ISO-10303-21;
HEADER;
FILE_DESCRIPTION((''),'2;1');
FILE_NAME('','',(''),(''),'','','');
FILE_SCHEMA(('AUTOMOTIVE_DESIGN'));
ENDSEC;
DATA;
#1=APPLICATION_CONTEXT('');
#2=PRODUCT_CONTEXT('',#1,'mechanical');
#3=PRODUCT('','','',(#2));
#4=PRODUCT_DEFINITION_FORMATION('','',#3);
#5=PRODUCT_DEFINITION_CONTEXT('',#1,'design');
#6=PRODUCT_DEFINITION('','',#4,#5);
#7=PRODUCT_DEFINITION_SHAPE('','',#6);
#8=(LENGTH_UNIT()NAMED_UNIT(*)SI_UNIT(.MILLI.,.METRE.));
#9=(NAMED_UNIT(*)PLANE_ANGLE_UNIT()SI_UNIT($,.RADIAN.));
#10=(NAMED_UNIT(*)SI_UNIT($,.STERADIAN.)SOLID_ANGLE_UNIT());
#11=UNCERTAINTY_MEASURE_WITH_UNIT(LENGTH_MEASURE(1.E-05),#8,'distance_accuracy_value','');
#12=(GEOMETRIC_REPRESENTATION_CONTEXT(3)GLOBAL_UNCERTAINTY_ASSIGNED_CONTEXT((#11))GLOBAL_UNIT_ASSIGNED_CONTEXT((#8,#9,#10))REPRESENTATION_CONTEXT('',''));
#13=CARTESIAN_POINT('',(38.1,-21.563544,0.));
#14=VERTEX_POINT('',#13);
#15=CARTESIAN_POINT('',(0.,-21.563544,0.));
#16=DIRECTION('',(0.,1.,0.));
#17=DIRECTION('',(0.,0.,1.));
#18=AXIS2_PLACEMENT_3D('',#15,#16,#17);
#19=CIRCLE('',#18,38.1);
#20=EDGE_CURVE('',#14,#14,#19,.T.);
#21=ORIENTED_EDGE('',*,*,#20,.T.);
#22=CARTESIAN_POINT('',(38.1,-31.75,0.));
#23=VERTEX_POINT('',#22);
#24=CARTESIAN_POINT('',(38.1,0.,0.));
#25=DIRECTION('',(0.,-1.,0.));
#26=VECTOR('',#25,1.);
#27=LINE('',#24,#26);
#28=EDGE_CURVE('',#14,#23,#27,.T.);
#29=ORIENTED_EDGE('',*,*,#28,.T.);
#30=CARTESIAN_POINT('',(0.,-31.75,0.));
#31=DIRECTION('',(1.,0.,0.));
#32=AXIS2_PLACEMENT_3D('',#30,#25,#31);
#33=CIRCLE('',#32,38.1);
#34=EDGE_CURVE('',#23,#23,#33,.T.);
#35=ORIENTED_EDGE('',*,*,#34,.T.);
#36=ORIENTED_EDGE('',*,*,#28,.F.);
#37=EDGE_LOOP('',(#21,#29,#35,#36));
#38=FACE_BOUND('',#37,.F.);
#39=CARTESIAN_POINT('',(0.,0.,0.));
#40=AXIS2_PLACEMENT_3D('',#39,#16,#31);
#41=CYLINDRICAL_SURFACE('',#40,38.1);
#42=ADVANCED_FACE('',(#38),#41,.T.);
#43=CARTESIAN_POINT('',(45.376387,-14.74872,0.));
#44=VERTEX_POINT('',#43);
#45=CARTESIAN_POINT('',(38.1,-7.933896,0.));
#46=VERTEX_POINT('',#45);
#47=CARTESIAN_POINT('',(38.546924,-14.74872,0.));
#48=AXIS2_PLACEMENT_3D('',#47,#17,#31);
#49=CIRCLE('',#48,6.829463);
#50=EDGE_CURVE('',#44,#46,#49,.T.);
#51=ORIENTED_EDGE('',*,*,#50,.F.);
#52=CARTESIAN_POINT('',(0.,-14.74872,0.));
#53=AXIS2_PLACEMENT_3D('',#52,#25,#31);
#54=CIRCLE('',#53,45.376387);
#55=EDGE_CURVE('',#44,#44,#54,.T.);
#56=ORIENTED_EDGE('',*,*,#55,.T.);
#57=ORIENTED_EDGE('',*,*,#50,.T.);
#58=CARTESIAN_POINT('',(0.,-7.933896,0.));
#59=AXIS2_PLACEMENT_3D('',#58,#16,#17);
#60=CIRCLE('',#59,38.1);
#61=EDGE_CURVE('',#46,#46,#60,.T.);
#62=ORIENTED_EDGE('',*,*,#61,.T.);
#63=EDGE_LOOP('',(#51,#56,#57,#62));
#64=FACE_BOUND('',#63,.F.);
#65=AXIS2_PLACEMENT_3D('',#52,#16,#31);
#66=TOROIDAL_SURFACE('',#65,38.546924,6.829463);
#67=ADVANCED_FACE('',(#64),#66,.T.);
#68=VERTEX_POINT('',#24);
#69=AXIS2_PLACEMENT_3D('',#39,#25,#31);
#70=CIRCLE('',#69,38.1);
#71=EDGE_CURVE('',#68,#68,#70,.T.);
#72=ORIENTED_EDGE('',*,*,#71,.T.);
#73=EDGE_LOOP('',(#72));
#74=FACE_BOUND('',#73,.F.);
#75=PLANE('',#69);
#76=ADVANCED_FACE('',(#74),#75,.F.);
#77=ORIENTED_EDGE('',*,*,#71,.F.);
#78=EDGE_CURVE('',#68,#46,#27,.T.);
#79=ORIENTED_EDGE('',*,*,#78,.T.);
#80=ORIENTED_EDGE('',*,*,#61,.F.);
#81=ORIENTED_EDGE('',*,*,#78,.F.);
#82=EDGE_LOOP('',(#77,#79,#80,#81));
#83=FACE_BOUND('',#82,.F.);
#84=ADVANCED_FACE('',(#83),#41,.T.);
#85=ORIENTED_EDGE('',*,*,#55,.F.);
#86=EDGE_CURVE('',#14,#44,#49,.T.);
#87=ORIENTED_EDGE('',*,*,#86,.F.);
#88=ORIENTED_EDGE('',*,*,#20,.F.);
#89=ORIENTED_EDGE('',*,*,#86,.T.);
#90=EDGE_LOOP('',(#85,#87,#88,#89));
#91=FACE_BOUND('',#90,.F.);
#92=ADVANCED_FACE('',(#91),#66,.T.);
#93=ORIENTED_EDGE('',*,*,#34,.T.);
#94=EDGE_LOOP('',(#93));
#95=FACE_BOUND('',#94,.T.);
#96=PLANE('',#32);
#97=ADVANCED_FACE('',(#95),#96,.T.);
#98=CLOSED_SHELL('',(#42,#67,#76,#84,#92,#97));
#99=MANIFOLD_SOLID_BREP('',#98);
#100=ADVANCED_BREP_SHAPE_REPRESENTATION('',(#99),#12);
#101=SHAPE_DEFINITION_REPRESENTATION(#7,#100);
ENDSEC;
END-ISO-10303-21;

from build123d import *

# Parameters (mm, degrees)
F0_R     = 38.1
F1_DEPTH = 31.75
F2_R     = 6.829463


with BuildPart() as f1:
    # F0 (on Front) → F1 (new body)
    with BuildSketch(Plane.XZ):
        Circle(F0_R)
    extrude(amount=F1_DEPTH)

    # F2 (on Top) → F3 (revolve)
    with BuildSketch(Plane.XY):
        with Locations((38.546924, -14.74872)):
            Circle(F2_R)
    revolve(axis=Axis((0, -31.75, 0), (0, -1, 0)))


solid = f1.part
